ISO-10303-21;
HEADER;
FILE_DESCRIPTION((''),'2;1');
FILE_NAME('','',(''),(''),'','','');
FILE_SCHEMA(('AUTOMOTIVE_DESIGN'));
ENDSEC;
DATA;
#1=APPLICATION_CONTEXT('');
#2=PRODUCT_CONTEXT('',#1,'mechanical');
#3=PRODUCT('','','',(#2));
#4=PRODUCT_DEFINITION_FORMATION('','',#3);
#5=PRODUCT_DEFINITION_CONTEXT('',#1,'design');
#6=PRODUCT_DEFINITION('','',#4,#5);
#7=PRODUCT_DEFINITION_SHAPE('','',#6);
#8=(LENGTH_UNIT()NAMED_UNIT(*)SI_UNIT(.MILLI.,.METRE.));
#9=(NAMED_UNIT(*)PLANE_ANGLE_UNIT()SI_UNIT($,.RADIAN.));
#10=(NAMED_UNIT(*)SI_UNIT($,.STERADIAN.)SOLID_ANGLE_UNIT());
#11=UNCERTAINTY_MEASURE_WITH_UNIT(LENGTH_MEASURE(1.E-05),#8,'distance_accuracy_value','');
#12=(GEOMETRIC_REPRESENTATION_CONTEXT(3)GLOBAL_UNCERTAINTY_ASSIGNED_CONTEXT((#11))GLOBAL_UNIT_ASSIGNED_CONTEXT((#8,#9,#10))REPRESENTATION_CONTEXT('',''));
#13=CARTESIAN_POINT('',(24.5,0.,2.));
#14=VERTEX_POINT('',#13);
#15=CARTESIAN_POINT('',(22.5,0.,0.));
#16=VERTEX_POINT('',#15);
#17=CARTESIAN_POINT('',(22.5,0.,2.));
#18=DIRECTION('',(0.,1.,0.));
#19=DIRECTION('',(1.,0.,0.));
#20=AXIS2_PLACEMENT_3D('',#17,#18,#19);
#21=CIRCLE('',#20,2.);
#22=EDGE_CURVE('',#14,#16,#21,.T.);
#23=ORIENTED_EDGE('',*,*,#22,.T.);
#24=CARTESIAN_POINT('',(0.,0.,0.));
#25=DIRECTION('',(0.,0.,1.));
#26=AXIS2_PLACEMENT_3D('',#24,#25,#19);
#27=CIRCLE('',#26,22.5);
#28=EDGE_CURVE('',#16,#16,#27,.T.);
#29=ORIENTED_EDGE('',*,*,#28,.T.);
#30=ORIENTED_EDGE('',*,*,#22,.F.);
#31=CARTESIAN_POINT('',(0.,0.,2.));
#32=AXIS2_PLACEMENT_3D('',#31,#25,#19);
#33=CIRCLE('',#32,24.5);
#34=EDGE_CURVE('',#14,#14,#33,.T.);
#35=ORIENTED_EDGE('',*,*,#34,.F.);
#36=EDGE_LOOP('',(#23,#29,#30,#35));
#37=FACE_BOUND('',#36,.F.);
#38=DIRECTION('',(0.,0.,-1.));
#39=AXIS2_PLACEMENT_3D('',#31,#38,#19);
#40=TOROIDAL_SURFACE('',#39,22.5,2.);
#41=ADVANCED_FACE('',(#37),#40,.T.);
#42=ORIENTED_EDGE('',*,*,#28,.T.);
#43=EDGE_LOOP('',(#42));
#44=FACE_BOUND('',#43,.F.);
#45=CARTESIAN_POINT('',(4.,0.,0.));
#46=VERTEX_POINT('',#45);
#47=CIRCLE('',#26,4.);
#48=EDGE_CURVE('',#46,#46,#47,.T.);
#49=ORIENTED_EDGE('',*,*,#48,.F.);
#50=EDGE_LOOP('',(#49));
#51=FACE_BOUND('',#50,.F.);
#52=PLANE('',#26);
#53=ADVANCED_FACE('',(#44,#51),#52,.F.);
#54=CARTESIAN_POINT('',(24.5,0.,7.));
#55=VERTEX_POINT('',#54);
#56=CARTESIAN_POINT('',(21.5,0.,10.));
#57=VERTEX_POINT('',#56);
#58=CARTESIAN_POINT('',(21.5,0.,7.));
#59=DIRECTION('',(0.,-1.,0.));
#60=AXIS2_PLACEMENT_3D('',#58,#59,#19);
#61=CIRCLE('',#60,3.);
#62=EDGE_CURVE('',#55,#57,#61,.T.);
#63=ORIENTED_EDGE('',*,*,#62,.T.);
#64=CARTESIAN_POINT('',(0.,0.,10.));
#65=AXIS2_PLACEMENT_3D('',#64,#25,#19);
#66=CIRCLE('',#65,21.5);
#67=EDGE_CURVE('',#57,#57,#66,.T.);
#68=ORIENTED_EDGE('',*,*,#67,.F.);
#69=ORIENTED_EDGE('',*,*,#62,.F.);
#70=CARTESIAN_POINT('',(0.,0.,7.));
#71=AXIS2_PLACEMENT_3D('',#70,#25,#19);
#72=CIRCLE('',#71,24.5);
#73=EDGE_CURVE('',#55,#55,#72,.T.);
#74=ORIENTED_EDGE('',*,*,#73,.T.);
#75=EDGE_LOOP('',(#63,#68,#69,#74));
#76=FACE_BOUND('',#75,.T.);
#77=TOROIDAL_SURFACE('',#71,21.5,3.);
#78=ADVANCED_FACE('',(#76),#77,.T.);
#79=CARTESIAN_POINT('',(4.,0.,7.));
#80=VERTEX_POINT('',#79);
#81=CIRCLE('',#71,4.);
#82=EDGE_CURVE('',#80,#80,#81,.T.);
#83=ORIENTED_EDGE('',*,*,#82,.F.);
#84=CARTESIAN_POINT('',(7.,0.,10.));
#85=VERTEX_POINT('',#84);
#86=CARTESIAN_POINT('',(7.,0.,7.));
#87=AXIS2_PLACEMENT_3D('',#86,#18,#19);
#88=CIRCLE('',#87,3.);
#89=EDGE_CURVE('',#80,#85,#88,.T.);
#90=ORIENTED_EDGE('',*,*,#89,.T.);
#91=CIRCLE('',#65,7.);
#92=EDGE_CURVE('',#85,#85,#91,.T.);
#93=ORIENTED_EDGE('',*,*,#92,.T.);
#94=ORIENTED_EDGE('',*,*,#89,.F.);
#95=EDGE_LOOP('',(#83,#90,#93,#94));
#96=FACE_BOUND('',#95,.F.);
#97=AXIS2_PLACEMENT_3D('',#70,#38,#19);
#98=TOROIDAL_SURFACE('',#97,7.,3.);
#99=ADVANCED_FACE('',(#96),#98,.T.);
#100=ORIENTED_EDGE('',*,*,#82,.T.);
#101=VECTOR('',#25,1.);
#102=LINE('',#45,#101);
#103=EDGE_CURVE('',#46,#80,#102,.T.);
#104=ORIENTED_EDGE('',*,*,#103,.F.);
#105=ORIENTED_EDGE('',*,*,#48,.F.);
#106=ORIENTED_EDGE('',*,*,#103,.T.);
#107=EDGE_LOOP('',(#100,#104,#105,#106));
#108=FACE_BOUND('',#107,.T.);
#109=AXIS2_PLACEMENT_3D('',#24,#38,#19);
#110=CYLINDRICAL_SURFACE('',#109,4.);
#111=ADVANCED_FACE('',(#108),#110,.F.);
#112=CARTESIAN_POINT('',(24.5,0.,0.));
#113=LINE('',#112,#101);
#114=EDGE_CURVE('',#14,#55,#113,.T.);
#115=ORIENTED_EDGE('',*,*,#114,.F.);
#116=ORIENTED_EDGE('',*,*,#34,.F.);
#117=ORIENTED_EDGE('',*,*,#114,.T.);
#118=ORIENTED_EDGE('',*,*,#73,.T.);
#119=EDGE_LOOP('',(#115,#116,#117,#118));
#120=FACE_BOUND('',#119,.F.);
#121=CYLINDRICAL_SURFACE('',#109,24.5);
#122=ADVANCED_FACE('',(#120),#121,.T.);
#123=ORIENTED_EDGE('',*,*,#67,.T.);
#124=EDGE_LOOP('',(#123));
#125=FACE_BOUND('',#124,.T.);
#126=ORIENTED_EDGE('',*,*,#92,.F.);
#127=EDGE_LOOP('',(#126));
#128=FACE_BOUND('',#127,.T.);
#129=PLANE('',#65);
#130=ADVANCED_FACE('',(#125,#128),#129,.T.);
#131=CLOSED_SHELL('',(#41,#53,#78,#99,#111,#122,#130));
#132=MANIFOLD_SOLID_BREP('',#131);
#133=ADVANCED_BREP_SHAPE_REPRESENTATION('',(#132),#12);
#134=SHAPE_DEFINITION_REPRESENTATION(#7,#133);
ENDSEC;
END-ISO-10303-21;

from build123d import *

# Parameters (mm, degrees)
F0_R     = 24.5
F0_R_2   = 4
F1_DEPTH = 10
F2_R     = 3
F3_R     = 2


with BuildPart() as f1:
    # F0 (on Top) → F1 (new body)
    with BuildSketch(Plane.XY):
        Circle(F0_R)
        Circle(F0_R_2, mode=Mode.SUBTRACT)
    extrude(amount=F1_DEPTH)

    # F2
    f2_edges = [f1.edges().sort_by_distance(p)[0] for p in [
        (-24.5, 0, 10),
        (-4, 0, 10),
    ]]
    fillet(f2_edges, radius=F2_R)

    # F3
    f3_edges = [f1.edges().sort_by_distance(p)[0] for p in [
        (-24.5, 0, 0),
    ]]
    fillet(f3_edges, radius=F3_R)


solid = f1.part
